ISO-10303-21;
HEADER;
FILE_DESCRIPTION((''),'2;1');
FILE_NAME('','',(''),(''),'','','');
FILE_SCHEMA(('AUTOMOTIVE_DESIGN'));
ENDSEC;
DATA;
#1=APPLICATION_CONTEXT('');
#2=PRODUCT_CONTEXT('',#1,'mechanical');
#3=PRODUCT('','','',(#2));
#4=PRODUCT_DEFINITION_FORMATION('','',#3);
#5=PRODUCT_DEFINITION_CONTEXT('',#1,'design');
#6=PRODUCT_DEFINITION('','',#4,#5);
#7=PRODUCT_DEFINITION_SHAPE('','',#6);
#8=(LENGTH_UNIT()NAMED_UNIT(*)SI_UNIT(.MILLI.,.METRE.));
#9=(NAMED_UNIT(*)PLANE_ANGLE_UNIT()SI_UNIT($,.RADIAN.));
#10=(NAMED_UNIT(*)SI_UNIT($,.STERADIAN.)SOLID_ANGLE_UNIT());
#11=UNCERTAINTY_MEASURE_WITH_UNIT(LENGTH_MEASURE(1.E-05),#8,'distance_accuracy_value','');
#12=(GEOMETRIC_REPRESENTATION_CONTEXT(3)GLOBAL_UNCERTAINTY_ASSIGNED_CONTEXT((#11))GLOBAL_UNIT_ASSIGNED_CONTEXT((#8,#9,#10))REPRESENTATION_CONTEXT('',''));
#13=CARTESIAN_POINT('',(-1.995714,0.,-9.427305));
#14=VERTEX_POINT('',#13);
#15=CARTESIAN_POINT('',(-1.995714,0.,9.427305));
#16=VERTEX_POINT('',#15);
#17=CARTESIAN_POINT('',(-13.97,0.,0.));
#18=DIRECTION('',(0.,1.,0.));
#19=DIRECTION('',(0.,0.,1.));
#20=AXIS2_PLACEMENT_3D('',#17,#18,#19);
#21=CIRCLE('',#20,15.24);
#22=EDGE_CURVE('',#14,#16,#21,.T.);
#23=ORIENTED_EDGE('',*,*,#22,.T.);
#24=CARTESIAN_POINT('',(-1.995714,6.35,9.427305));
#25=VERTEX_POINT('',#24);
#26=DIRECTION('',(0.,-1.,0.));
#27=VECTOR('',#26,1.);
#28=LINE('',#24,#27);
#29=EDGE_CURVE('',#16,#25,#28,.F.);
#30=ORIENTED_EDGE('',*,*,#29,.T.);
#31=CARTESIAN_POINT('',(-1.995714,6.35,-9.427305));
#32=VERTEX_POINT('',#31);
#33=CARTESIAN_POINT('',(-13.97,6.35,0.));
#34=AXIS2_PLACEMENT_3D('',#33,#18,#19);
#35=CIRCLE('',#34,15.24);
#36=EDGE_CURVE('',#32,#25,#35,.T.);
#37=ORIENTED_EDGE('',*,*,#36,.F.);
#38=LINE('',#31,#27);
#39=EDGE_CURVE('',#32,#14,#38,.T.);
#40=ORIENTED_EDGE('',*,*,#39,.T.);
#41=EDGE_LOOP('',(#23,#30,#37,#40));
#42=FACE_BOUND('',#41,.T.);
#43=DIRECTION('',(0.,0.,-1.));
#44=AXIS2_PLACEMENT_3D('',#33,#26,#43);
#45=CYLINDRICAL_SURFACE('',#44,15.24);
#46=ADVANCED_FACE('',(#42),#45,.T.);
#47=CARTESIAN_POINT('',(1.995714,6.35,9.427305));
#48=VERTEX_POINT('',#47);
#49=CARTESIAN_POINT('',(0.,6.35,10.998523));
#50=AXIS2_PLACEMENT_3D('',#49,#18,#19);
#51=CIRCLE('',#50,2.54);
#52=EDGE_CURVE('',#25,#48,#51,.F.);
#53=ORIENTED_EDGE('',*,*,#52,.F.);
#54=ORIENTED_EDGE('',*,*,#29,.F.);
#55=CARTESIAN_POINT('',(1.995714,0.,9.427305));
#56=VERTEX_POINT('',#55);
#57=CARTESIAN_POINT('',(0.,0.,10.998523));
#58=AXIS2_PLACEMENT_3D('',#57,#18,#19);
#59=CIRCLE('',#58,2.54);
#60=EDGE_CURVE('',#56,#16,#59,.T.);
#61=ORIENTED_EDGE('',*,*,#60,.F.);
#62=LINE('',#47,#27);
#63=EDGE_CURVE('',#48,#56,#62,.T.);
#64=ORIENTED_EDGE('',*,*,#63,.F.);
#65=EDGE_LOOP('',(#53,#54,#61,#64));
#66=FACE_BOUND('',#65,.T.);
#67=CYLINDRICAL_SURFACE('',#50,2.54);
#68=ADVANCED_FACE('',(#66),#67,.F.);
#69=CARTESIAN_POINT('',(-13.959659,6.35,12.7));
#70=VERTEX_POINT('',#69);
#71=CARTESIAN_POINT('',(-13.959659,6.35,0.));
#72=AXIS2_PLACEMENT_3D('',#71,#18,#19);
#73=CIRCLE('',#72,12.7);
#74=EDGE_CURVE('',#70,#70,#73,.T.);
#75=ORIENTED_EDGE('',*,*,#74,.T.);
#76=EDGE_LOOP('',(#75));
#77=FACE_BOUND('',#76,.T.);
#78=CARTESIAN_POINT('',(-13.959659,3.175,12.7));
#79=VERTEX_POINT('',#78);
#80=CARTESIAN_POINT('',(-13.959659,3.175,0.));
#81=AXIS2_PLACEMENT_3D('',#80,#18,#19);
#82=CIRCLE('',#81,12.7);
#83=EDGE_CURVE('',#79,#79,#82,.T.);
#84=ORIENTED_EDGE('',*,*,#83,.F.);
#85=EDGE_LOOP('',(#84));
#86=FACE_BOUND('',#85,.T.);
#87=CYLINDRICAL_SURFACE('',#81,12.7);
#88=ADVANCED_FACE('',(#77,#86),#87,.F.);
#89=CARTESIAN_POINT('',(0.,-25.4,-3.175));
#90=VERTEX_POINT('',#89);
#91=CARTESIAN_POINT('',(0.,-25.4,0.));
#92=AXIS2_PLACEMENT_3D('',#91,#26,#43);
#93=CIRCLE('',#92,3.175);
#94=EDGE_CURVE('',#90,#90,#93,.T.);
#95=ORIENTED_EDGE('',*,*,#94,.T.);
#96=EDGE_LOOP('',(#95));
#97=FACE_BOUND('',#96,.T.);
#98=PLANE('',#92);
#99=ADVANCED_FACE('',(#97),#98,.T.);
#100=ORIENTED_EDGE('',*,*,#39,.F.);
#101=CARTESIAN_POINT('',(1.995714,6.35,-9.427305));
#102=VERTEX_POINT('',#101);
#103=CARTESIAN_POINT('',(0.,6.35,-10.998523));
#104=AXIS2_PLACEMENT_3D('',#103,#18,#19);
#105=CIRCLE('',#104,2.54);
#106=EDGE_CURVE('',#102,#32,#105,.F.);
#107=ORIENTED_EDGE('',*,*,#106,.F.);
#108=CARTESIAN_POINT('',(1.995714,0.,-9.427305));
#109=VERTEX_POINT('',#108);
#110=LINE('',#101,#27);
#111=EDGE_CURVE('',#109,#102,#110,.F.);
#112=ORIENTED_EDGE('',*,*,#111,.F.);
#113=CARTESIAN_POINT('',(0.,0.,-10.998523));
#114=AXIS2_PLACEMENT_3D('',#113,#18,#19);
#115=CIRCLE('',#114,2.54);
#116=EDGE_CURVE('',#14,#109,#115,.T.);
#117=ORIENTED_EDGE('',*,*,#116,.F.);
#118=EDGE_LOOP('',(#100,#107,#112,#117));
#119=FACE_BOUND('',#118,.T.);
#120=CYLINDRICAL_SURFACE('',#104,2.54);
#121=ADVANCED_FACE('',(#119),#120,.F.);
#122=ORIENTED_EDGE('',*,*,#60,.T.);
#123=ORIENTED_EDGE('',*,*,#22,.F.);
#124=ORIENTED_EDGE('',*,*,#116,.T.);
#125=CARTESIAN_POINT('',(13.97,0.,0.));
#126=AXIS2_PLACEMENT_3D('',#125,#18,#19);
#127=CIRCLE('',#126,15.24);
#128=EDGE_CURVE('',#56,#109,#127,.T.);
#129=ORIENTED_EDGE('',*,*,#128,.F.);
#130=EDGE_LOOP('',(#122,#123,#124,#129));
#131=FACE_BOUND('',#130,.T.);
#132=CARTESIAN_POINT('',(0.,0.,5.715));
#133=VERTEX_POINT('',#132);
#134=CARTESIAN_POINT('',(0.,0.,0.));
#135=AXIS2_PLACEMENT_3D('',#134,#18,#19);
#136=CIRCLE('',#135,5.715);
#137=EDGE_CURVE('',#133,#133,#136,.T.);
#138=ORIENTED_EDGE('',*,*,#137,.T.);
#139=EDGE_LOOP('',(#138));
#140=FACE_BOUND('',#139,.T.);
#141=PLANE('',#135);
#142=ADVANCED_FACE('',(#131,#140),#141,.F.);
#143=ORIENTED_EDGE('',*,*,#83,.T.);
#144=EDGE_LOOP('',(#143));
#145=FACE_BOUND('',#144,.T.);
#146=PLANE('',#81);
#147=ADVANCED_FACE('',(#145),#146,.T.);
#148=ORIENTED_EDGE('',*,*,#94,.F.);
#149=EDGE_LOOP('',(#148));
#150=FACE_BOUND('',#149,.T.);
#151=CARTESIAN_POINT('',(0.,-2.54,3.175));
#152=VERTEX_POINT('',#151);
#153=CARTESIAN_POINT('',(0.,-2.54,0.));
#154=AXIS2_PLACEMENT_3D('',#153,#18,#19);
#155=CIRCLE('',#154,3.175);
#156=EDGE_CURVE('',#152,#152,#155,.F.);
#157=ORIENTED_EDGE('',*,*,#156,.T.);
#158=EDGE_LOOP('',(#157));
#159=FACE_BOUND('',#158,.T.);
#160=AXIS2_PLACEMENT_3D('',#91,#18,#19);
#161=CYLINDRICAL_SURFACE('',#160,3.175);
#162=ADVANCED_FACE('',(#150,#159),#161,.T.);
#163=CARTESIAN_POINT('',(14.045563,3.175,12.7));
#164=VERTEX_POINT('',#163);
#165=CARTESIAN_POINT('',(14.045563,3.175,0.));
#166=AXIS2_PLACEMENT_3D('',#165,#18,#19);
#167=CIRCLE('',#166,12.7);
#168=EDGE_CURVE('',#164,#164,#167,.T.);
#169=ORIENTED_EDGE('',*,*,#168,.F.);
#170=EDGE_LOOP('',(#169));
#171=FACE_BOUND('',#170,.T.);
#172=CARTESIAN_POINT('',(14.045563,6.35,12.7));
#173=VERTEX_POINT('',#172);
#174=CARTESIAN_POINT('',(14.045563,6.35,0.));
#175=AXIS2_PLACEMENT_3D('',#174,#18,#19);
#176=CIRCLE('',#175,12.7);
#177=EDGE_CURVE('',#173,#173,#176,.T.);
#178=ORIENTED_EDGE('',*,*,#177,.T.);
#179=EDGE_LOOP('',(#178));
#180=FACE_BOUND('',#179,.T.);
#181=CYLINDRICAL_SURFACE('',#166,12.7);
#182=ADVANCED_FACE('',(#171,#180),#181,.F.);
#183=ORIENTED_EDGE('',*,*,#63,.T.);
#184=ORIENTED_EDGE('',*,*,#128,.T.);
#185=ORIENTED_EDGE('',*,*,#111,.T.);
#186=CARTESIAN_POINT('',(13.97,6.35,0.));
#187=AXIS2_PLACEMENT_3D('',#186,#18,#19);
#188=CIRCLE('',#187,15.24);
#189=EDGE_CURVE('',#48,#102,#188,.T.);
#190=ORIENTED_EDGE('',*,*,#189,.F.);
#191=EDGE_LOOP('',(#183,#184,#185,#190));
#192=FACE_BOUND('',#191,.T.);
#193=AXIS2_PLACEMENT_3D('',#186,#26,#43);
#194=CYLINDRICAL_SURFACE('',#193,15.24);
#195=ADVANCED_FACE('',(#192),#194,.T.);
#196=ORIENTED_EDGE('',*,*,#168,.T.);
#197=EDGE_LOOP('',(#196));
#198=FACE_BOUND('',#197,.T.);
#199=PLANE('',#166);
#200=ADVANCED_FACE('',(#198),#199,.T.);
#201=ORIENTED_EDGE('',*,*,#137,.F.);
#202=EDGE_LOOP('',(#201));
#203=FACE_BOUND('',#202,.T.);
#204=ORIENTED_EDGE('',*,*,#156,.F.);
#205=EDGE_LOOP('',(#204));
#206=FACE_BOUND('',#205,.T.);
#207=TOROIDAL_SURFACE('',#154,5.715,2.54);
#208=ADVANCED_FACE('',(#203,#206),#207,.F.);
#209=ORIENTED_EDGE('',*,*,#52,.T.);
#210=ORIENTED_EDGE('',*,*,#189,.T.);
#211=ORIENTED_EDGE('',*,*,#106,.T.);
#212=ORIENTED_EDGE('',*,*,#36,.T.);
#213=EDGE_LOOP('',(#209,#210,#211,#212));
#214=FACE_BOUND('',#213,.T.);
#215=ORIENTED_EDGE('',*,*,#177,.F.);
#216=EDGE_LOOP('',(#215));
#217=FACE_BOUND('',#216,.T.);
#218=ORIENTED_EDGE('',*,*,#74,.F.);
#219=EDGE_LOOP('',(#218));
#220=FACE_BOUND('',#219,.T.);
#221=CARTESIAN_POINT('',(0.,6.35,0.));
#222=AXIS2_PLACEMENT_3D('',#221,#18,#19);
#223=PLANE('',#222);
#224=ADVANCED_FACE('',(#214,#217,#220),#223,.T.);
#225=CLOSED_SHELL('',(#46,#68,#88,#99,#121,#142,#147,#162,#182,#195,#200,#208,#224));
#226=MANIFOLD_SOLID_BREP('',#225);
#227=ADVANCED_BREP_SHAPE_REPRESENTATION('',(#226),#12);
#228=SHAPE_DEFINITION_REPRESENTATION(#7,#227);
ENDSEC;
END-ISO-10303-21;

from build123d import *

# Parameters (mm, degrees)
BOSS_EXTRUDE1_DEPTH = 6.35
SKETCH3_R           = 12.7
CUT_EXTRUDE1_DEPTH  = 3.175
SKETCH5_R           = 12.7
CUT_EXTRUDE2_DEPTH  = 3.175
SKETCH6_R           = 3.175
BOSS_EXTRUDE2_DEPTH = 25.4
FILLET1_R           = 2.54


with BuildPart() as part:
    # Sketch2 → Boss-Extrude1 (new body)
    with BuildSketch(Plane(origin=(0, 0, 0), x_dir=(1, 0, 0), z_dir=(0, 1, 0))):
        with BuildLine():
            ThreePointArc((0, -6.090706035), (29.21, 0), (0, 6.090706035))
            ThreePointArc((0, 6.090706035), (-29.21, 0), (0, -6.090706035))
        make_face()
    extrude(amount=BOSS_EXTRUDE1_DEPTH)

    # Sketch3 → Cut-Extrude1 (cut)
    with BuildSketch(Plane(origin=(0, 6.35, 0), x_dir=(1, 0, 0), z_dir=(0, 1, 0))):
        with Locations(Location((-13.959659088, 0, 0), (0, 0, 270))):
            Circle(SKETCH3_R)
    extrude(amount=-CUT_EXTRUDE1_DEPTH, mode=Mode.SUBTRACT)

    # Sketch5 → Cut-Extrude2 (cut)
    with BuildSketch(Plane(origin=(0, 6.35, 0), x_dir=(1, 0, 0), z_dir=(0, 1, 0))):
        with Locations(Location((14.045562682, 0, 0), (0, 0, 270))):
            Circle(SKETCH5_R)
    extrude(amount=-CUT_EXTRUDE2_DEPTH, mode=Mode.SUBTRACT)

    # Sketch6 → Boss-Extrude2 (add)
    with BuildSketch(Plane(origin=(0, 0, 0), x_dir=(-1, 0, 0), z_dir=(0, -1, 0))):
        with Locations(Location((0, 0, 0), (0, 0, 270))):
            Circle(SKETCH6_R)
    extrude(amount=BOSS_EXTRUDE2_DEPTH)

    # Fillet1
    fillet1_edges = [part.edges().sort_by_distance(p)[0] for p in [
        (0, 0, -3.175),
        (0, 3.175, -6.090706035),
        (0, 3.175, 6.090706035),
    ]]
    fillet(fillet1_edges, radius=FILLET1_R)


solid = part.part
